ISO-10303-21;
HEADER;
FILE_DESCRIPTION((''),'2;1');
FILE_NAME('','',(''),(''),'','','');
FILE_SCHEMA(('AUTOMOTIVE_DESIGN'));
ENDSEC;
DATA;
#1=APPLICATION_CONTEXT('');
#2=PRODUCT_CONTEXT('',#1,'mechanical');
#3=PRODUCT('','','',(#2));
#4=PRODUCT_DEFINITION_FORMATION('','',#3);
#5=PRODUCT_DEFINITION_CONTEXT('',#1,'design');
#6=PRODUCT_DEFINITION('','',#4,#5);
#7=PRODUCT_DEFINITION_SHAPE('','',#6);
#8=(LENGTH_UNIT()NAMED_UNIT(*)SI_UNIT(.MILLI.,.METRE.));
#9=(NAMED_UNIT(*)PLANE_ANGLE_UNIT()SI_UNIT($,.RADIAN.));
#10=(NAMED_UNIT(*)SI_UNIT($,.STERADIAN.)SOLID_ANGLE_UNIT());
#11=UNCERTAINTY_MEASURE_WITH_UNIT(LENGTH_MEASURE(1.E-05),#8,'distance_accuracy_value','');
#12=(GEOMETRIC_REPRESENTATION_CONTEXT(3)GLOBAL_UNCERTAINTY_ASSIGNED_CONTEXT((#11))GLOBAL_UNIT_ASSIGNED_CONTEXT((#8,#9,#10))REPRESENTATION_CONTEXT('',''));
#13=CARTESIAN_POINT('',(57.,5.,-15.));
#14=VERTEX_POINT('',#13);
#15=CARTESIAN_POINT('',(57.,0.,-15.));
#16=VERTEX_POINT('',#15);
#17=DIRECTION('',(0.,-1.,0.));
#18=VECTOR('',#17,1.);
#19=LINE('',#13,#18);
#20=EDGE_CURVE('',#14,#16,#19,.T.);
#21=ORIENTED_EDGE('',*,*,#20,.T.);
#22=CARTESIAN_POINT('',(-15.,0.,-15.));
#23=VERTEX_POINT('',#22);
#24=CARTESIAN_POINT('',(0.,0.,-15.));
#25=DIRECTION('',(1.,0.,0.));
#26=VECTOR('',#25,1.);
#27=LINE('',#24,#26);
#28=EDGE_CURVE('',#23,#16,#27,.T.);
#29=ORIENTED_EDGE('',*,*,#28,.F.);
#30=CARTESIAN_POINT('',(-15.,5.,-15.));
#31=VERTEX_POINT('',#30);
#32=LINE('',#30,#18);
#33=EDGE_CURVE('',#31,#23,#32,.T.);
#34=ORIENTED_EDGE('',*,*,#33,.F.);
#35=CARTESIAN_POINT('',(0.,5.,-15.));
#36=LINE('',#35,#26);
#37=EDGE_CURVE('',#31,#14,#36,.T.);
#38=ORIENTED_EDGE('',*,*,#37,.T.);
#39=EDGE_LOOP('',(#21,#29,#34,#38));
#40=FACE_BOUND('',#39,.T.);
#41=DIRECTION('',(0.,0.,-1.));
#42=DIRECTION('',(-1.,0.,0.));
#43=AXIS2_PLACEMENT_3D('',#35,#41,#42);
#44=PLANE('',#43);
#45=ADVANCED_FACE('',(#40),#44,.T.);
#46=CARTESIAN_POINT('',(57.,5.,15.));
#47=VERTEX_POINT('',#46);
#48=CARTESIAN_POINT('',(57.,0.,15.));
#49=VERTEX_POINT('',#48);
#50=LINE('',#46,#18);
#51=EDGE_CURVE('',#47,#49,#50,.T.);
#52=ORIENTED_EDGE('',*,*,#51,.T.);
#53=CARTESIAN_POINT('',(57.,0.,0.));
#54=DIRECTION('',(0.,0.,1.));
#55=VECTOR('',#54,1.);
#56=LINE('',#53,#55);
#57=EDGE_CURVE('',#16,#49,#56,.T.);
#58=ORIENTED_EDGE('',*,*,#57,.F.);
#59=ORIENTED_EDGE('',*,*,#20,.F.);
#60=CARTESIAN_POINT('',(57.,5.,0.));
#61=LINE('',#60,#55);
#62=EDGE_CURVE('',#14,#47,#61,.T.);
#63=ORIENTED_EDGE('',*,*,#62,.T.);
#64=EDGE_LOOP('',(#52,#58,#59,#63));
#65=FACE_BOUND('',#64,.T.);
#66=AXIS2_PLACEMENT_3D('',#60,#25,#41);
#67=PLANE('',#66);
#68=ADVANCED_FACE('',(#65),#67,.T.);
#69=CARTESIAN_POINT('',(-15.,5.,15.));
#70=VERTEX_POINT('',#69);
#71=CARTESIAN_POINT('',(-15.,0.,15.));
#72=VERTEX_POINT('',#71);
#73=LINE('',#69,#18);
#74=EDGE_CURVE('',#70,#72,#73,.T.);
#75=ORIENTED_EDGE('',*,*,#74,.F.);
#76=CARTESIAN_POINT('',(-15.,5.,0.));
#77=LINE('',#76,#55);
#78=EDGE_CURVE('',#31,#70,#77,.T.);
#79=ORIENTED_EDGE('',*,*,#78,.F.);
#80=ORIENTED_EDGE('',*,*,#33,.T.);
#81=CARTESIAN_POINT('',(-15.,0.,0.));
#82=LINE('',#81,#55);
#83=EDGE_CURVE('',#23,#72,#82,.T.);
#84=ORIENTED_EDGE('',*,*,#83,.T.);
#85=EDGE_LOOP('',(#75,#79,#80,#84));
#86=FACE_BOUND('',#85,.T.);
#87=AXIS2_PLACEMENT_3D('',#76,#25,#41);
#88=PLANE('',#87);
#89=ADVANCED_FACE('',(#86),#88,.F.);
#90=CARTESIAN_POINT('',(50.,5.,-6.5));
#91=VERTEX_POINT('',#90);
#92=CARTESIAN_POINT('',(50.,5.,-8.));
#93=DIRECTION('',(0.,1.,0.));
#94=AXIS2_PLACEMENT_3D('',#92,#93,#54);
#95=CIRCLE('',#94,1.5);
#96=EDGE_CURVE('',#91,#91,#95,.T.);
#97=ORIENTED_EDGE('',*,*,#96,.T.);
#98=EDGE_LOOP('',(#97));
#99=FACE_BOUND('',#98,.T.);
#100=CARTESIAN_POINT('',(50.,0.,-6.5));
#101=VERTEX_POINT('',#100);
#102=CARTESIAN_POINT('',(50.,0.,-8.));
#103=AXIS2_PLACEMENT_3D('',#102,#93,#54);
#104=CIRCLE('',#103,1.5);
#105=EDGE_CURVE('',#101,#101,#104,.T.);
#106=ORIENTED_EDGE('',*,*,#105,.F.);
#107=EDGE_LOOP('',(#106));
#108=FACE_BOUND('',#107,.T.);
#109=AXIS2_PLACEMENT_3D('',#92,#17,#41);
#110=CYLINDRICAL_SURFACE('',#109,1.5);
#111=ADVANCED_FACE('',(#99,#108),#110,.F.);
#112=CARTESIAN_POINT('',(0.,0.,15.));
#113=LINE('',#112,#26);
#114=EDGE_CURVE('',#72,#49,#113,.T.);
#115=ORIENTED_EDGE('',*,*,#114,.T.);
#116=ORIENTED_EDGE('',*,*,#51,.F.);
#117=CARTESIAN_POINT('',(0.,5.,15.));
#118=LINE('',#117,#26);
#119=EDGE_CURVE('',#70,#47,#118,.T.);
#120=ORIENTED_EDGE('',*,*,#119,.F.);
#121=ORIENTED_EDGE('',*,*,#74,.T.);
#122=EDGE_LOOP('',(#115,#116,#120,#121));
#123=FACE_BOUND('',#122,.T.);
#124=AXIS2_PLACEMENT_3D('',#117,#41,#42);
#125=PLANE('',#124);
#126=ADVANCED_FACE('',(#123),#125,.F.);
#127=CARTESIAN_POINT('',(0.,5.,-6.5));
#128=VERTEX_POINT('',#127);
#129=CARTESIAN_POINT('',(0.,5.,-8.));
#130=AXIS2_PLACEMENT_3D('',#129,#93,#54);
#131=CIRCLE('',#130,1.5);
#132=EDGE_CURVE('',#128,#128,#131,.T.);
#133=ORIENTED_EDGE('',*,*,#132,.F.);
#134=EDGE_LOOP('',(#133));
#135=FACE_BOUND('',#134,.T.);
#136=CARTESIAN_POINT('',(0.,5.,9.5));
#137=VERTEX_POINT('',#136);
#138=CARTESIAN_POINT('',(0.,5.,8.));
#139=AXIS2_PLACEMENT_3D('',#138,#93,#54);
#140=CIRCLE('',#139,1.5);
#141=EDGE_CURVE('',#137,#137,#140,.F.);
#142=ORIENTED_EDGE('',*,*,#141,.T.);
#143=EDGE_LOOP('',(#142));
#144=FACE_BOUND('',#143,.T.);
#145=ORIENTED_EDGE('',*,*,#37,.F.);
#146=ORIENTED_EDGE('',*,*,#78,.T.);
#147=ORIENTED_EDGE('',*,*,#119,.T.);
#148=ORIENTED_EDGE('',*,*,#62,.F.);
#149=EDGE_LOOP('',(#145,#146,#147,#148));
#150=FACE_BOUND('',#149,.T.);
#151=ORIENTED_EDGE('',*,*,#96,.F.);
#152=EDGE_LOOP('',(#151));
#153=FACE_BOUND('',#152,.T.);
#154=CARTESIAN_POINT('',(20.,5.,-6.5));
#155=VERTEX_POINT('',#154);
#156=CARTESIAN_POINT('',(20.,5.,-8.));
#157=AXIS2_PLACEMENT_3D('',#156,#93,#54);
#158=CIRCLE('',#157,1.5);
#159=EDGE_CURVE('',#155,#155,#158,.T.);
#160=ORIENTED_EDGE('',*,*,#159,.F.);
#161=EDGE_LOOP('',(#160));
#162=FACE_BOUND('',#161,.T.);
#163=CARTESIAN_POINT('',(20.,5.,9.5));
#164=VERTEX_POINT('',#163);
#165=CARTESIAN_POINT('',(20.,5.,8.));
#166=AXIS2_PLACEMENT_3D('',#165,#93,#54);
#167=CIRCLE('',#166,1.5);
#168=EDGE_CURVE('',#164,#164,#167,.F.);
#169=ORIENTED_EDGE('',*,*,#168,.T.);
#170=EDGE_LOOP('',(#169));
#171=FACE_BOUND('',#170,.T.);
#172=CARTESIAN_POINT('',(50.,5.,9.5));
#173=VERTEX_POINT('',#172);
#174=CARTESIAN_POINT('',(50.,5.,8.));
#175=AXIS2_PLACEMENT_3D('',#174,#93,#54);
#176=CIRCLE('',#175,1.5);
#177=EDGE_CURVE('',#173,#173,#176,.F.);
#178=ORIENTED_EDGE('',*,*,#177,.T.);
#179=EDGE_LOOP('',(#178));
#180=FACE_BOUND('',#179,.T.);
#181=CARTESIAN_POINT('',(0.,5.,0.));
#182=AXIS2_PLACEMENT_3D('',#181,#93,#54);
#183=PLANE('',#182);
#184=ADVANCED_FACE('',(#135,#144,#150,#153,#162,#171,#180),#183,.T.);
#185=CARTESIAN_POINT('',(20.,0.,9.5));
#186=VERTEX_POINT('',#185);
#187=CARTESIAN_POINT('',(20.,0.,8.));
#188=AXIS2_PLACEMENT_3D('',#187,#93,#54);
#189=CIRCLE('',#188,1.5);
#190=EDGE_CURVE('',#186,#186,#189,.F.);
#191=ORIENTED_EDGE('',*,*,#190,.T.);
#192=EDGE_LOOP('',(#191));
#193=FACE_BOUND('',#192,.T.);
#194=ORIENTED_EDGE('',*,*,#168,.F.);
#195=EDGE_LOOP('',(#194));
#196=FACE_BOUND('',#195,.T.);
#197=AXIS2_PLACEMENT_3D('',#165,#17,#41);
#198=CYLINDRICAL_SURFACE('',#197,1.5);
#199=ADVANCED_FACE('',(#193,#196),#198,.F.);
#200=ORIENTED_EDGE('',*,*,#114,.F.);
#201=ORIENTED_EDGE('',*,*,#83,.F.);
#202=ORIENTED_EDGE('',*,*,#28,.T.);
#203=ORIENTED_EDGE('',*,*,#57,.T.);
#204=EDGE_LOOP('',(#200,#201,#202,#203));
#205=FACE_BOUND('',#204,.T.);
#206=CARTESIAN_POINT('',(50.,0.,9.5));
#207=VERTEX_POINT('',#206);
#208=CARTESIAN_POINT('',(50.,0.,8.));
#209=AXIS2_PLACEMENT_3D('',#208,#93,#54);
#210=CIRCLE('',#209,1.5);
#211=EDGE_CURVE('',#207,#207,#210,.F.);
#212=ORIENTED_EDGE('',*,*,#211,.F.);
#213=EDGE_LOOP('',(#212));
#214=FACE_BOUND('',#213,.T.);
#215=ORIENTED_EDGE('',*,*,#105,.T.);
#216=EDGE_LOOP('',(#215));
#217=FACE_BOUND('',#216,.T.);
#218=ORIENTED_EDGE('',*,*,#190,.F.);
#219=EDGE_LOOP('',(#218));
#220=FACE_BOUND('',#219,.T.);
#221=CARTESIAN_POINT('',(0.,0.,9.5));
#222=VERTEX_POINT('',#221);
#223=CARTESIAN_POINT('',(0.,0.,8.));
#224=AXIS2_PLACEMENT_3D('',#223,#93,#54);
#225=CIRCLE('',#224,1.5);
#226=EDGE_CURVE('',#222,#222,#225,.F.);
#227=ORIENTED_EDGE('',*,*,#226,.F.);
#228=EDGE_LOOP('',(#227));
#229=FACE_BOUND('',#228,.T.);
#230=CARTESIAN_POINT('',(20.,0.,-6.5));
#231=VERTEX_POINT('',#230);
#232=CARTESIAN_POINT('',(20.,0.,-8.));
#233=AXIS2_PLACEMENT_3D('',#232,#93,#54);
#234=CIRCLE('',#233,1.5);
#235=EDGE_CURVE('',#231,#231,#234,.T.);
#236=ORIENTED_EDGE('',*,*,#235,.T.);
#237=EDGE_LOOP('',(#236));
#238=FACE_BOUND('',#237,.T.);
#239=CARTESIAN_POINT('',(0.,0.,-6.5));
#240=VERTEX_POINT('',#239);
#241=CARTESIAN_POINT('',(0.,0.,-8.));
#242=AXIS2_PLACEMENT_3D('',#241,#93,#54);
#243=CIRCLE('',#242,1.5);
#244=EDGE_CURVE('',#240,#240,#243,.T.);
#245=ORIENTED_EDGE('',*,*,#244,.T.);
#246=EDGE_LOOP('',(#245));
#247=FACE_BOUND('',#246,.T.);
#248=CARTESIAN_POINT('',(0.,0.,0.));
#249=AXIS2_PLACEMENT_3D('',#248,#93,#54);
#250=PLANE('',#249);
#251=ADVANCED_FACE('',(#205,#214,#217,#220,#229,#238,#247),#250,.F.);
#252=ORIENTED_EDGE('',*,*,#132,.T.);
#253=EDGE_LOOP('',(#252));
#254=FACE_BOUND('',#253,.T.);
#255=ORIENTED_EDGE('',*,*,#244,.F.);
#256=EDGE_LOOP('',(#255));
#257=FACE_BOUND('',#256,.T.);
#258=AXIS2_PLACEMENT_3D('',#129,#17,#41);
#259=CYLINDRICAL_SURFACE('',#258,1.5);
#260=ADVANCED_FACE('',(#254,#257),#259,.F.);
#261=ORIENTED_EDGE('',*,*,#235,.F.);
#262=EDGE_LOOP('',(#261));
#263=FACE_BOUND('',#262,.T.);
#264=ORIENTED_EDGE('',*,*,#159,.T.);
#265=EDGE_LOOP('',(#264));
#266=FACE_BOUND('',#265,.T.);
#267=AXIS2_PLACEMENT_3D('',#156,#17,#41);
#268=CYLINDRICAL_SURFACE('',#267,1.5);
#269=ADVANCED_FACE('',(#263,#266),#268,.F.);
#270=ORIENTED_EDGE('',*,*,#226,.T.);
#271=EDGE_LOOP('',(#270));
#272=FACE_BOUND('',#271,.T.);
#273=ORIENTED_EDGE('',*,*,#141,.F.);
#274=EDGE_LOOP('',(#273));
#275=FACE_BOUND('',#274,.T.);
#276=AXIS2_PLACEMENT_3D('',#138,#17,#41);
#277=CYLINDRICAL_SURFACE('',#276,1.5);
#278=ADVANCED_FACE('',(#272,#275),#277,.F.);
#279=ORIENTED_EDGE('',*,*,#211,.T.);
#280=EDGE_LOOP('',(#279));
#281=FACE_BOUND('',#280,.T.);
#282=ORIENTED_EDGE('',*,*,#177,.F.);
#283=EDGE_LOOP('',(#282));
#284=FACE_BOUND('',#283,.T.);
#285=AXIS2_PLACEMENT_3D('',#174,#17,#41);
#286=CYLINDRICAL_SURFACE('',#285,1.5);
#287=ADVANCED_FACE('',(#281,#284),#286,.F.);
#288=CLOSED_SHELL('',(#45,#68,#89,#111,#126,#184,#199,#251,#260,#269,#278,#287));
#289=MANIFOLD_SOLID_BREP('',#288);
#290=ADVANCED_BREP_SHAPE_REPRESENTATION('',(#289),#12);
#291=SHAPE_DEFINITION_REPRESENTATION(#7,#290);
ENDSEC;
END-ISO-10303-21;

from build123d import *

# Parameters (mm, degrees)
SKETCH1_W           = 72
SKETCH1_H           = 30
SKETCH1_R           = 1.5
BOSS_EXTRUDE1_DEPTH = 5


with BuildPart() as part:
    # Sketch1 → Boss-Extrude1 (new body)
    with BuildSketch(Plane(origin=(0, 0, 0), x_dir=(1, 0, 0), z_dir=(0, 1, 0))):
        with Locations((21, 0)):
            Rectangle(SKETCH1_W, SKETCH1_H)
        with Locations(Location((0, 8, 0), (0, 0, 270))):
            Circle(SKETCH1_R, mode=Mode.SUBTRACT)
        with Locations(Location((20, 8, 0), (0, 0, 270))):
            Circle(SKETCH1_R, mode=Mode.SUBTRACT)
        with Locations(Location((50, 8, 0), (0, 0, 270))):
            Circle(SKETCH1_R, mode=Mode.SUBTRACT)
        with Locations(Location((50, -8, 0), (0, 0, 270))):
            Circle(SKETCH1_R, mode=Mode.SUBTRACT)
        with Locations(Location((20, -8, 0), (0, 0, 270))):
            Circle(SKETCH1_R, mode=Mode.SUBTRACT)
        with Locations(Location((0, -8, 0), (0, 0, 270))):
            Circle(SKETCH1_R, mode=Mode.SUBTRACT)
    extrude(amount=BOSS_EXTRUDE1_DEPTH)


solid = part.part
